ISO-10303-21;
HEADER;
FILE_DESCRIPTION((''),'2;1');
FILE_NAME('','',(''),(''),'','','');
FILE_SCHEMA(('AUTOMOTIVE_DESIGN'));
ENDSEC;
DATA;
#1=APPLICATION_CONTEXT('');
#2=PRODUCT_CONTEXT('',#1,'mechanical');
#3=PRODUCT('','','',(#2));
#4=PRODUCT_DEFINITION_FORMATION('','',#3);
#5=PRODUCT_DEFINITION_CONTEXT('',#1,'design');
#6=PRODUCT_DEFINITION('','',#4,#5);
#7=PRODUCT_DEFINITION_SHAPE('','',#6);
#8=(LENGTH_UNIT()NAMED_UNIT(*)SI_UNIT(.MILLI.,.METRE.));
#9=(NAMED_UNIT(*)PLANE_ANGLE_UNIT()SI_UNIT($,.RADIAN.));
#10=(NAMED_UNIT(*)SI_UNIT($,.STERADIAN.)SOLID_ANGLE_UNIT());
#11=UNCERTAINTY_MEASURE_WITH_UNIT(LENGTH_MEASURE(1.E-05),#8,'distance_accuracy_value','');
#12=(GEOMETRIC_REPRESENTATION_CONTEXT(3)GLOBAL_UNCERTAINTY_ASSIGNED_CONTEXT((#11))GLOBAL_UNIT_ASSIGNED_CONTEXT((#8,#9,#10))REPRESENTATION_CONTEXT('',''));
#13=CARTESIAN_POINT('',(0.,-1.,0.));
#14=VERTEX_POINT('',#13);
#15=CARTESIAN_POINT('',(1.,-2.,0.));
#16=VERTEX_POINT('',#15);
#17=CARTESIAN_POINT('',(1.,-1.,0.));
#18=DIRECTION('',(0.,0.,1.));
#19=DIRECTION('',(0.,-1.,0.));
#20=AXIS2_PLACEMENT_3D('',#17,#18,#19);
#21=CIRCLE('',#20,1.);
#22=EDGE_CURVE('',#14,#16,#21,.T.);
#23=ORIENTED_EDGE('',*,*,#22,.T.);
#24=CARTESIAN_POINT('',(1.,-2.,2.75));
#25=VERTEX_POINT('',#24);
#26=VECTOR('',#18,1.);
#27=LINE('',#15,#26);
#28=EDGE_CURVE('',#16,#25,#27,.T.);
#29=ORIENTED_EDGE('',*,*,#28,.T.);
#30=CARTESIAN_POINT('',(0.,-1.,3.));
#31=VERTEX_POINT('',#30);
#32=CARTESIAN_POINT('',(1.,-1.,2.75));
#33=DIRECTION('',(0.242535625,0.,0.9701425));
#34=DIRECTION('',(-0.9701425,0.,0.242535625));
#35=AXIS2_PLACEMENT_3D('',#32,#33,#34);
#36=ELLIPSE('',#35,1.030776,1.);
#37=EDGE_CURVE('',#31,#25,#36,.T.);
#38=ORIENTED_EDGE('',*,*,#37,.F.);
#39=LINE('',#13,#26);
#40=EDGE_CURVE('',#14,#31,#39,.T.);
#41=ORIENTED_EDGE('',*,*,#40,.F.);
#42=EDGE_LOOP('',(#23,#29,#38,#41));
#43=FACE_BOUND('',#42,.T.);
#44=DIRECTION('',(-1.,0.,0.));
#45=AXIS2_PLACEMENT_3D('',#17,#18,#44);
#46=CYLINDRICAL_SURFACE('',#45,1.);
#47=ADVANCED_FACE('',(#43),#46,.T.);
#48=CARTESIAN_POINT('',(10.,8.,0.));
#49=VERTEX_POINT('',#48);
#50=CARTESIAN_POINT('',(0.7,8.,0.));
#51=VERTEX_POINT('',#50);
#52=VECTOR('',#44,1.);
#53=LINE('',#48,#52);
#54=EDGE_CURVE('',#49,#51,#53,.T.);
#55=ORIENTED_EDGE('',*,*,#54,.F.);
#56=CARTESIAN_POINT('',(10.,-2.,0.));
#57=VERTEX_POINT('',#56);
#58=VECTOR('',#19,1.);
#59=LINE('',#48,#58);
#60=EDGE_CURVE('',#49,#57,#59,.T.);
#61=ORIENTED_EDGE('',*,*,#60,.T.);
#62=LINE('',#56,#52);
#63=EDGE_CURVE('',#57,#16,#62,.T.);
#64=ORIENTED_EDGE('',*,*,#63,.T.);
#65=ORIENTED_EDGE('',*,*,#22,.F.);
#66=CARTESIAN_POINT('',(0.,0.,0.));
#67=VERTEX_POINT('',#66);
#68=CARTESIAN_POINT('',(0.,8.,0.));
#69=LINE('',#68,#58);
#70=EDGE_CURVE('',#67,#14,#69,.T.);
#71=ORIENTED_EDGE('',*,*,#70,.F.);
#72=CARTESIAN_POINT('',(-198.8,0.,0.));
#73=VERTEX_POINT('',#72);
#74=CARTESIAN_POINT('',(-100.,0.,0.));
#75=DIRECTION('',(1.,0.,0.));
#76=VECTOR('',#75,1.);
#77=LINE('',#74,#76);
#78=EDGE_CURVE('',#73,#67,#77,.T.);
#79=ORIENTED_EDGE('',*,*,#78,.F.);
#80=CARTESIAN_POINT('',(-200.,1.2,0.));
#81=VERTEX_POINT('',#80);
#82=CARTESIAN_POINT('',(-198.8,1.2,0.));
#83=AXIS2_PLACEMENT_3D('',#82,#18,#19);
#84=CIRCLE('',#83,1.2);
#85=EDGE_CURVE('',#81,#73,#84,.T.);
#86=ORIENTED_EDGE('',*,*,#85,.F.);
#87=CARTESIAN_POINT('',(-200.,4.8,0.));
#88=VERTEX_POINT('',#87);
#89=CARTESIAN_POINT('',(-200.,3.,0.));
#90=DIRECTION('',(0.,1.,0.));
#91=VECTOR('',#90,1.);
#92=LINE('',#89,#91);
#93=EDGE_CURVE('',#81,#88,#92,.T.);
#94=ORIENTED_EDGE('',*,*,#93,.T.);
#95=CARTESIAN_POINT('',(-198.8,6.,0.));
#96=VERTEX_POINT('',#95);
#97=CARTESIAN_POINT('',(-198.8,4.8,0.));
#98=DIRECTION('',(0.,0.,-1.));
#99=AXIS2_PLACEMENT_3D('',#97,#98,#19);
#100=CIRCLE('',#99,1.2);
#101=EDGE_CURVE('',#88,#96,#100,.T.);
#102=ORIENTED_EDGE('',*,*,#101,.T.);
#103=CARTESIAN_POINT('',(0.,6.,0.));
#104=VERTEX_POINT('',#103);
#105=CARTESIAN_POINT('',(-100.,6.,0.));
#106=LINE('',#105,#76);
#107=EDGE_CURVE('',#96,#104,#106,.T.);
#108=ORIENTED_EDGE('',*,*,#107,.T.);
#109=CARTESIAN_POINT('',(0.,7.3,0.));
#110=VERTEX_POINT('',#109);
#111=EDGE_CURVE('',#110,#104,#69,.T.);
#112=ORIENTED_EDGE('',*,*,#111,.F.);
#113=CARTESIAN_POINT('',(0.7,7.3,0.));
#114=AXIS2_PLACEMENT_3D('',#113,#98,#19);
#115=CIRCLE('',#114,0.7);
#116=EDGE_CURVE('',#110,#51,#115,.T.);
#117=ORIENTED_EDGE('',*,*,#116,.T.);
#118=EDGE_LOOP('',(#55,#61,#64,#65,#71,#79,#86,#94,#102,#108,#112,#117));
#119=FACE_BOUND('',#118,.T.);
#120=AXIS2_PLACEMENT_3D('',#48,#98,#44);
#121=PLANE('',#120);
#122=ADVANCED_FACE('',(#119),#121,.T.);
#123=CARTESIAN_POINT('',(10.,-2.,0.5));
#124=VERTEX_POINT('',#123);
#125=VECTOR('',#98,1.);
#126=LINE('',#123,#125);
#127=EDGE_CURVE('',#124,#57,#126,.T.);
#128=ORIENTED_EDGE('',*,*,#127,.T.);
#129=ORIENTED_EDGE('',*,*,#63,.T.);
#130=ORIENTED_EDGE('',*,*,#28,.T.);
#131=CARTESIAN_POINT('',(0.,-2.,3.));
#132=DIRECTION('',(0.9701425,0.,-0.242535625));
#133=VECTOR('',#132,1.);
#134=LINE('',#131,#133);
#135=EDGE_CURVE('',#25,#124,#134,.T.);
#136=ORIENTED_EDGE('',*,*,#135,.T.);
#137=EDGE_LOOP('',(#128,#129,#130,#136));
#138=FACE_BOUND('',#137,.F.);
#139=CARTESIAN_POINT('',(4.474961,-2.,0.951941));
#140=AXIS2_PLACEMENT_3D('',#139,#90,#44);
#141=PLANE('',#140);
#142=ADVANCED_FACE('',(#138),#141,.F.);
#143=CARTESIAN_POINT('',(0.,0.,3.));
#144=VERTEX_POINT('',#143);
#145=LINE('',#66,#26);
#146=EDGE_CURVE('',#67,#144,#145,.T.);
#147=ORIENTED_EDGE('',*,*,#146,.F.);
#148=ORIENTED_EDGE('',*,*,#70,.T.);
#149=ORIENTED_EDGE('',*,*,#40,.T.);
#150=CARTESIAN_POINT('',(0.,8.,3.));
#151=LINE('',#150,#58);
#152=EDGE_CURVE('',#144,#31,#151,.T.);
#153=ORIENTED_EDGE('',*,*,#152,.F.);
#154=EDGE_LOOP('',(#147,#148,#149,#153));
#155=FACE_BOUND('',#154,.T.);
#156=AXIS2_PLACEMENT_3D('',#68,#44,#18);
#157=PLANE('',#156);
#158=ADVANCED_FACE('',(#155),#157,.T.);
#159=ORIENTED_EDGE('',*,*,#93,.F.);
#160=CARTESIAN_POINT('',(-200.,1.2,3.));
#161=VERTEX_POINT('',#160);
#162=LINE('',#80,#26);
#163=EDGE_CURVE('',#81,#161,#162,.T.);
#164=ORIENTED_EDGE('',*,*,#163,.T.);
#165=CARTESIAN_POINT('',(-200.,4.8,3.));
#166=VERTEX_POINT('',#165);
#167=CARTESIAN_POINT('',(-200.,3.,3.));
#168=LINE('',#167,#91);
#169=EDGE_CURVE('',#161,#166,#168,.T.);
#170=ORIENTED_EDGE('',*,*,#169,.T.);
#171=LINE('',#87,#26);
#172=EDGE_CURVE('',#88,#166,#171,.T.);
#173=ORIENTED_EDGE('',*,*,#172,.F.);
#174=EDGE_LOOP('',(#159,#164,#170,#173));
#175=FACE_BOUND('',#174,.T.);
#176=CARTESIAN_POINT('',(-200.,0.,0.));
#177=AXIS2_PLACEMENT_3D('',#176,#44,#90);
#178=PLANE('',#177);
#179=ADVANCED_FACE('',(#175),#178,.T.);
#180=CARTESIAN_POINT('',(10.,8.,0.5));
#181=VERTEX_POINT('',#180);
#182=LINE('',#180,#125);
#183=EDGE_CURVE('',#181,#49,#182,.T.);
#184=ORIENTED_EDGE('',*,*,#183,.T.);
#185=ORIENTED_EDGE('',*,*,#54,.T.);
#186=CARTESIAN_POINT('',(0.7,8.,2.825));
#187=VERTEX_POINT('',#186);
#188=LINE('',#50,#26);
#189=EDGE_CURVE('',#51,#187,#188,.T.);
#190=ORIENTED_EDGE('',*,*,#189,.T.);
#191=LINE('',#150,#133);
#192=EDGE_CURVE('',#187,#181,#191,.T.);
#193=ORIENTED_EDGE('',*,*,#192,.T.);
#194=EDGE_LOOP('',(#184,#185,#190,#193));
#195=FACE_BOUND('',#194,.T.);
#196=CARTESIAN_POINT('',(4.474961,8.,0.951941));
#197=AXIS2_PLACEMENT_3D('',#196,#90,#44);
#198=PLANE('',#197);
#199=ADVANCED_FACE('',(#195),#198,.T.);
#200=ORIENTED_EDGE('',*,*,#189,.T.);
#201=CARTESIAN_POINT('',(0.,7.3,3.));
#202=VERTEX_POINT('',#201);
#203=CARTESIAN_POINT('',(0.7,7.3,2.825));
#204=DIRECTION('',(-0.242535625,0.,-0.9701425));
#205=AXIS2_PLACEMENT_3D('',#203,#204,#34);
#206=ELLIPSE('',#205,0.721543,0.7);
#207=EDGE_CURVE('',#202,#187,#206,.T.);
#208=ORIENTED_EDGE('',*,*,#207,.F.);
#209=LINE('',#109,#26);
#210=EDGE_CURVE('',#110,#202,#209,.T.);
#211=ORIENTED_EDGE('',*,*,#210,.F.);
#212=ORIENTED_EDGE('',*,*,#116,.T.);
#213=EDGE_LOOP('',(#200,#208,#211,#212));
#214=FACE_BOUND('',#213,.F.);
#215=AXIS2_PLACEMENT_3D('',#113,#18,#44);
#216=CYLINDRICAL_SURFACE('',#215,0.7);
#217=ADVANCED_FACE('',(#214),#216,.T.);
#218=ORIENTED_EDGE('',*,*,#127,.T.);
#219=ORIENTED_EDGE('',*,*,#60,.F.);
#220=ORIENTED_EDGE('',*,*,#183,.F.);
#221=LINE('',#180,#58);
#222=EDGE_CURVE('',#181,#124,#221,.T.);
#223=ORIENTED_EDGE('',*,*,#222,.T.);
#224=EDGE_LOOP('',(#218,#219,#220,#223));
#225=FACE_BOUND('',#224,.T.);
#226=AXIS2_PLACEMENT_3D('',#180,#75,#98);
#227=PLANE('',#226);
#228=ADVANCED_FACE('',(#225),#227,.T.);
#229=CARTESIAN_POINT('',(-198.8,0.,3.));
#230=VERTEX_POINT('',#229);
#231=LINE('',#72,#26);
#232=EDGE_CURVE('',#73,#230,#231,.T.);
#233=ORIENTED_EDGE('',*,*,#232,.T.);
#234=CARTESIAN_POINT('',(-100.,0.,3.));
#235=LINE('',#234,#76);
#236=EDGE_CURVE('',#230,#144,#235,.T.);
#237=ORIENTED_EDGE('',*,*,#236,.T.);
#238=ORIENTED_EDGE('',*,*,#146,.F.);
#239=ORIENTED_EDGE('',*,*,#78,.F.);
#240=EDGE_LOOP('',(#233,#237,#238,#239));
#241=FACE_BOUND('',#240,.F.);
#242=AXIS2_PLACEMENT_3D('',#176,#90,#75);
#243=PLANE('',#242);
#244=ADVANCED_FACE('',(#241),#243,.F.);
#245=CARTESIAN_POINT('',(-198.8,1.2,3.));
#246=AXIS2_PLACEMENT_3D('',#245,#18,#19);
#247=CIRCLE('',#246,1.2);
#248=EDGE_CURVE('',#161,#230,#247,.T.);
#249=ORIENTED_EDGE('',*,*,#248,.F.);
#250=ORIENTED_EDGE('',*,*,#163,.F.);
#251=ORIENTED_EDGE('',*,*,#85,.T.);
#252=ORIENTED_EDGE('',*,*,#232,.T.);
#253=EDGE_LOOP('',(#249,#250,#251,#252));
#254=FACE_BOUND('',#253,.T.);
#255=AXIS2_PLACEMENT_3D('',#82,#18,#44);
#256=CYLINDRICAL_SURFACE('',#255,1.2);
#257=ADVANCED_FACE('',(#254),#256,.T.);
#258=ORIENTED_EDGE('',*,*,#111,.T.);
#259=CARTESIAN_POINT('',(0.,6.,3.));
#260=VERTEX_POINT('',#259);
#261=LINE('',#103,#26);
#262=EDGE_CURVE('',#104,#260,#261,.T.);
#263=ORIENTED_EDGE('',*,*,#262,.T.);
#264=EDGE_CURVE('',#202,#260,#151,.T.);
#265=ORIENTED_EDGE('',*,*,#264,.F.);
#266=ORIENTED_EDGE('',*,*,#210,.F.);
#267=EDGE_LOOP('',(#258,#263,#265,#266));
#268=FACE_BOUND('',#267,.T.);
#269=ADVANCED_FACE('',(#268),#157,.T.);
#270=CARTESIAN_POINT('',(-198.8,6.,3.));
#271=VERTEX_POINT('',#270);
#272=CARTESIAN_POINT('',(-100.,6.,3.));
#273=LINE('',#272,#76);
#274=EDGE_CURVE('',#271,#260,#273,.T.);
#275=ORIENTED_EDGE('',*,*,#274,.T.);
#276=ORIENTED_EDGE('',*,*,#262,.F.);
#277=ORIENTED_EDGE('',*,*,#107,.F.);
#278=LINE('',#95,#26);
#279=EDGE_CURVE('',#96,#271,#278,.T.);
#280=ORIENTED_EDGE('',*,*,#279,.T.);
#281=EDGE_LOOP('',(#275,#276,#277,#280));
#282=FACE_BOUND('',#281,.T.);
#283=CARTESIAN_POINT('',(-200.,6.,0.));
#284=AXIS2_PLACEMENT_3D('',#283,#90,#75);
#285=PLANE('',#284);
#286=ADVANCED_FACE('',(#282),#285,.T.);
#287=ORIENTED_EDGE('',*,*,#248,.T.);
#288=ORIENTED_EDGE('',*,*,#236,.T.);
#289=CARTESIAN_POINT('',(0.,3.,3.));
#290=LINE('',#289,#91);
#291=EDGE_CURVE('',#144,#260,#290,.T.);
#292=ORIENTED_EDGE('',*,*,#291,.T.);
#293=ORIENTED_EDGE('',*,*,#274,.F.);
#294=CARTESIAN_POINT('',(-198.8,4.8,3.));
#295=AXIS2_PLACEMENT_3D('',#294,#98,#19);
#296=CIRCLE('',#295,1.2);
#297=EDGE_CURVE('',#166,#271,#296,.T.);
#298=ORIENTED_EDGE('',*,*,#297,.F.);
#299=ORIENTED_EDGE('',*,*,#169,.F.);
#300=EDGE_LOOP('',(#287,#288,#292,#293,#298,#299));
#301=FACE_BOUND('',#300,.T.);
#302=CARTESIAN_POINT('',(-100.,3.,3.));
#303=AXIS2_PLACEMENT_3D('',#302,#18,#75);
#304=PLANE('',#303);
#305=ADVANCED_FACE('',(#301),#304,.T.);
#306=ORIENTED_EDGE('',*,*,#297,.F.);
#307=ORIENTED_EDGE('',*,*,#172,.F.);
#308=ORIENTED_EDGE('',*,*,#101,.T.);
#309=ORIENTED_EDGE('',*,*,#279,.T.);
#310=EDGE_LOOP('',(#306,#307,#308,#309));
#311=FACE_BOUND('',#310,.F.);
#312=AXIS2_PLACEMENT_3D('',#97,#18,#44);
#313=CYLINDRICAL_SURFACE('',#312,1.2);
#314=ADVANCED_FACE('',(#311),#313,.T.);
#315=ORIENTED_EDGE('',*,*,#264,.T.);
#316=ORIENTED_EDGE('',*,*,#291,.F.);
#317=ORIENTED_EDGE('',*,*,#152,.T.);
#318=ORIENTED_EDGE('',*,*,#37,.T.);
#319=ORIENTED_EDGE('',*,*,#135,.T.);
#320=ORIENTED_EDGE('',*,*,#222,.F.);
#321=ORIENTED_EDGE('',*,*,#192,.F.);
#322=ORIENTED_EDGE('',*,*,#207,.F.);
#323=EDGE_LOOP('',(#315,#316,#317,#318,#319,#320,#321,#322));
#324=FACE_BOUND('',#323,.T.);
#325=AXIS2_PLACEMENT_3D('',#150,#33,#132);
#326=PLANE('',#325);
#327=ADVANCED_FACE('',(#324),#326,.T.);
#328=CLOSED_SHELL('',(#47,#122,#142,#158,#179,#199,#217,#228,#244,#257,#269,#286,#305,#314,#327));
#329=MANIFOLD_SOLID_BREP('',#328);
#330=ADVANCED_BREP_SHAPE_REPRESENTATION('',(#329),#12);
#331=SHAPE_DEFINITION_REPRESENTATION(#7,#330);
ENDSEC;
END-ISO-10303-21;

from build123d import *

# Parameters (mm, degrees)
PAD_DEPTH     = 10
FILLET001_1_R = 1
FILLET001_2_R = 0.7
BOX_W         = 200
BOX_H         = 6
BOX_DEPTH     = 3
FILLET_R      = 1.2


with BuildPart() as end_fillet:
    # Sketch → Pad (new body)
    with BuildSketch(Plane.XZ):
        Polygon((0, 0), (0, 3), (10, 0.5), (10, 0), align=None)
    extrude(amount=PAD_DEPTH)


with BuildPart() as end_fillet_1:
    # Body placement: moved
    add(end_fillet.part.moved(Location((0, 8, 0))))

    # Fillet001 1
    fillet001_1_edges = [end_fillet_1.edges().sort_by_distance(p)[0] for p in [
        (0, -2, 1.5),
    ]]
    fillet(fillet001_1_edges, radius=FILLET001_1_R)

    # Fillet001 2
    fillet001_2_edges = [end_fillet_1.edges().sort_by_distance(p)[0] for p in [
        (0, 8, 1.5),
    ]]
    fillet(fillet001_2_edges, radius=FILLET001_2_R)


with BuildPart() as fusion:
    # Box → Box (new body)
    with BuildSketch(Plane(origin=(-200, 0, 0), x_dir=(1, 0, 0), z_dir=(0, 0, 1))):
        with Locations((100, 3)):
            Rectangle(BOX_W, BOX_H)
    extrude(amount=BOX_DEPTH)

    # Fillet
    fillet_edges = [fusion.edges().sort_by_distance(p)[0] for p in [
        (-200, 0, 1.5),
        (-200, 6, 1.5),
    ]]
    fillet(fillet_edges, radius=FILLET_R)

    # Fusion: union end fillet
    add(end_fillet_1.part)


solid = fusion.part
